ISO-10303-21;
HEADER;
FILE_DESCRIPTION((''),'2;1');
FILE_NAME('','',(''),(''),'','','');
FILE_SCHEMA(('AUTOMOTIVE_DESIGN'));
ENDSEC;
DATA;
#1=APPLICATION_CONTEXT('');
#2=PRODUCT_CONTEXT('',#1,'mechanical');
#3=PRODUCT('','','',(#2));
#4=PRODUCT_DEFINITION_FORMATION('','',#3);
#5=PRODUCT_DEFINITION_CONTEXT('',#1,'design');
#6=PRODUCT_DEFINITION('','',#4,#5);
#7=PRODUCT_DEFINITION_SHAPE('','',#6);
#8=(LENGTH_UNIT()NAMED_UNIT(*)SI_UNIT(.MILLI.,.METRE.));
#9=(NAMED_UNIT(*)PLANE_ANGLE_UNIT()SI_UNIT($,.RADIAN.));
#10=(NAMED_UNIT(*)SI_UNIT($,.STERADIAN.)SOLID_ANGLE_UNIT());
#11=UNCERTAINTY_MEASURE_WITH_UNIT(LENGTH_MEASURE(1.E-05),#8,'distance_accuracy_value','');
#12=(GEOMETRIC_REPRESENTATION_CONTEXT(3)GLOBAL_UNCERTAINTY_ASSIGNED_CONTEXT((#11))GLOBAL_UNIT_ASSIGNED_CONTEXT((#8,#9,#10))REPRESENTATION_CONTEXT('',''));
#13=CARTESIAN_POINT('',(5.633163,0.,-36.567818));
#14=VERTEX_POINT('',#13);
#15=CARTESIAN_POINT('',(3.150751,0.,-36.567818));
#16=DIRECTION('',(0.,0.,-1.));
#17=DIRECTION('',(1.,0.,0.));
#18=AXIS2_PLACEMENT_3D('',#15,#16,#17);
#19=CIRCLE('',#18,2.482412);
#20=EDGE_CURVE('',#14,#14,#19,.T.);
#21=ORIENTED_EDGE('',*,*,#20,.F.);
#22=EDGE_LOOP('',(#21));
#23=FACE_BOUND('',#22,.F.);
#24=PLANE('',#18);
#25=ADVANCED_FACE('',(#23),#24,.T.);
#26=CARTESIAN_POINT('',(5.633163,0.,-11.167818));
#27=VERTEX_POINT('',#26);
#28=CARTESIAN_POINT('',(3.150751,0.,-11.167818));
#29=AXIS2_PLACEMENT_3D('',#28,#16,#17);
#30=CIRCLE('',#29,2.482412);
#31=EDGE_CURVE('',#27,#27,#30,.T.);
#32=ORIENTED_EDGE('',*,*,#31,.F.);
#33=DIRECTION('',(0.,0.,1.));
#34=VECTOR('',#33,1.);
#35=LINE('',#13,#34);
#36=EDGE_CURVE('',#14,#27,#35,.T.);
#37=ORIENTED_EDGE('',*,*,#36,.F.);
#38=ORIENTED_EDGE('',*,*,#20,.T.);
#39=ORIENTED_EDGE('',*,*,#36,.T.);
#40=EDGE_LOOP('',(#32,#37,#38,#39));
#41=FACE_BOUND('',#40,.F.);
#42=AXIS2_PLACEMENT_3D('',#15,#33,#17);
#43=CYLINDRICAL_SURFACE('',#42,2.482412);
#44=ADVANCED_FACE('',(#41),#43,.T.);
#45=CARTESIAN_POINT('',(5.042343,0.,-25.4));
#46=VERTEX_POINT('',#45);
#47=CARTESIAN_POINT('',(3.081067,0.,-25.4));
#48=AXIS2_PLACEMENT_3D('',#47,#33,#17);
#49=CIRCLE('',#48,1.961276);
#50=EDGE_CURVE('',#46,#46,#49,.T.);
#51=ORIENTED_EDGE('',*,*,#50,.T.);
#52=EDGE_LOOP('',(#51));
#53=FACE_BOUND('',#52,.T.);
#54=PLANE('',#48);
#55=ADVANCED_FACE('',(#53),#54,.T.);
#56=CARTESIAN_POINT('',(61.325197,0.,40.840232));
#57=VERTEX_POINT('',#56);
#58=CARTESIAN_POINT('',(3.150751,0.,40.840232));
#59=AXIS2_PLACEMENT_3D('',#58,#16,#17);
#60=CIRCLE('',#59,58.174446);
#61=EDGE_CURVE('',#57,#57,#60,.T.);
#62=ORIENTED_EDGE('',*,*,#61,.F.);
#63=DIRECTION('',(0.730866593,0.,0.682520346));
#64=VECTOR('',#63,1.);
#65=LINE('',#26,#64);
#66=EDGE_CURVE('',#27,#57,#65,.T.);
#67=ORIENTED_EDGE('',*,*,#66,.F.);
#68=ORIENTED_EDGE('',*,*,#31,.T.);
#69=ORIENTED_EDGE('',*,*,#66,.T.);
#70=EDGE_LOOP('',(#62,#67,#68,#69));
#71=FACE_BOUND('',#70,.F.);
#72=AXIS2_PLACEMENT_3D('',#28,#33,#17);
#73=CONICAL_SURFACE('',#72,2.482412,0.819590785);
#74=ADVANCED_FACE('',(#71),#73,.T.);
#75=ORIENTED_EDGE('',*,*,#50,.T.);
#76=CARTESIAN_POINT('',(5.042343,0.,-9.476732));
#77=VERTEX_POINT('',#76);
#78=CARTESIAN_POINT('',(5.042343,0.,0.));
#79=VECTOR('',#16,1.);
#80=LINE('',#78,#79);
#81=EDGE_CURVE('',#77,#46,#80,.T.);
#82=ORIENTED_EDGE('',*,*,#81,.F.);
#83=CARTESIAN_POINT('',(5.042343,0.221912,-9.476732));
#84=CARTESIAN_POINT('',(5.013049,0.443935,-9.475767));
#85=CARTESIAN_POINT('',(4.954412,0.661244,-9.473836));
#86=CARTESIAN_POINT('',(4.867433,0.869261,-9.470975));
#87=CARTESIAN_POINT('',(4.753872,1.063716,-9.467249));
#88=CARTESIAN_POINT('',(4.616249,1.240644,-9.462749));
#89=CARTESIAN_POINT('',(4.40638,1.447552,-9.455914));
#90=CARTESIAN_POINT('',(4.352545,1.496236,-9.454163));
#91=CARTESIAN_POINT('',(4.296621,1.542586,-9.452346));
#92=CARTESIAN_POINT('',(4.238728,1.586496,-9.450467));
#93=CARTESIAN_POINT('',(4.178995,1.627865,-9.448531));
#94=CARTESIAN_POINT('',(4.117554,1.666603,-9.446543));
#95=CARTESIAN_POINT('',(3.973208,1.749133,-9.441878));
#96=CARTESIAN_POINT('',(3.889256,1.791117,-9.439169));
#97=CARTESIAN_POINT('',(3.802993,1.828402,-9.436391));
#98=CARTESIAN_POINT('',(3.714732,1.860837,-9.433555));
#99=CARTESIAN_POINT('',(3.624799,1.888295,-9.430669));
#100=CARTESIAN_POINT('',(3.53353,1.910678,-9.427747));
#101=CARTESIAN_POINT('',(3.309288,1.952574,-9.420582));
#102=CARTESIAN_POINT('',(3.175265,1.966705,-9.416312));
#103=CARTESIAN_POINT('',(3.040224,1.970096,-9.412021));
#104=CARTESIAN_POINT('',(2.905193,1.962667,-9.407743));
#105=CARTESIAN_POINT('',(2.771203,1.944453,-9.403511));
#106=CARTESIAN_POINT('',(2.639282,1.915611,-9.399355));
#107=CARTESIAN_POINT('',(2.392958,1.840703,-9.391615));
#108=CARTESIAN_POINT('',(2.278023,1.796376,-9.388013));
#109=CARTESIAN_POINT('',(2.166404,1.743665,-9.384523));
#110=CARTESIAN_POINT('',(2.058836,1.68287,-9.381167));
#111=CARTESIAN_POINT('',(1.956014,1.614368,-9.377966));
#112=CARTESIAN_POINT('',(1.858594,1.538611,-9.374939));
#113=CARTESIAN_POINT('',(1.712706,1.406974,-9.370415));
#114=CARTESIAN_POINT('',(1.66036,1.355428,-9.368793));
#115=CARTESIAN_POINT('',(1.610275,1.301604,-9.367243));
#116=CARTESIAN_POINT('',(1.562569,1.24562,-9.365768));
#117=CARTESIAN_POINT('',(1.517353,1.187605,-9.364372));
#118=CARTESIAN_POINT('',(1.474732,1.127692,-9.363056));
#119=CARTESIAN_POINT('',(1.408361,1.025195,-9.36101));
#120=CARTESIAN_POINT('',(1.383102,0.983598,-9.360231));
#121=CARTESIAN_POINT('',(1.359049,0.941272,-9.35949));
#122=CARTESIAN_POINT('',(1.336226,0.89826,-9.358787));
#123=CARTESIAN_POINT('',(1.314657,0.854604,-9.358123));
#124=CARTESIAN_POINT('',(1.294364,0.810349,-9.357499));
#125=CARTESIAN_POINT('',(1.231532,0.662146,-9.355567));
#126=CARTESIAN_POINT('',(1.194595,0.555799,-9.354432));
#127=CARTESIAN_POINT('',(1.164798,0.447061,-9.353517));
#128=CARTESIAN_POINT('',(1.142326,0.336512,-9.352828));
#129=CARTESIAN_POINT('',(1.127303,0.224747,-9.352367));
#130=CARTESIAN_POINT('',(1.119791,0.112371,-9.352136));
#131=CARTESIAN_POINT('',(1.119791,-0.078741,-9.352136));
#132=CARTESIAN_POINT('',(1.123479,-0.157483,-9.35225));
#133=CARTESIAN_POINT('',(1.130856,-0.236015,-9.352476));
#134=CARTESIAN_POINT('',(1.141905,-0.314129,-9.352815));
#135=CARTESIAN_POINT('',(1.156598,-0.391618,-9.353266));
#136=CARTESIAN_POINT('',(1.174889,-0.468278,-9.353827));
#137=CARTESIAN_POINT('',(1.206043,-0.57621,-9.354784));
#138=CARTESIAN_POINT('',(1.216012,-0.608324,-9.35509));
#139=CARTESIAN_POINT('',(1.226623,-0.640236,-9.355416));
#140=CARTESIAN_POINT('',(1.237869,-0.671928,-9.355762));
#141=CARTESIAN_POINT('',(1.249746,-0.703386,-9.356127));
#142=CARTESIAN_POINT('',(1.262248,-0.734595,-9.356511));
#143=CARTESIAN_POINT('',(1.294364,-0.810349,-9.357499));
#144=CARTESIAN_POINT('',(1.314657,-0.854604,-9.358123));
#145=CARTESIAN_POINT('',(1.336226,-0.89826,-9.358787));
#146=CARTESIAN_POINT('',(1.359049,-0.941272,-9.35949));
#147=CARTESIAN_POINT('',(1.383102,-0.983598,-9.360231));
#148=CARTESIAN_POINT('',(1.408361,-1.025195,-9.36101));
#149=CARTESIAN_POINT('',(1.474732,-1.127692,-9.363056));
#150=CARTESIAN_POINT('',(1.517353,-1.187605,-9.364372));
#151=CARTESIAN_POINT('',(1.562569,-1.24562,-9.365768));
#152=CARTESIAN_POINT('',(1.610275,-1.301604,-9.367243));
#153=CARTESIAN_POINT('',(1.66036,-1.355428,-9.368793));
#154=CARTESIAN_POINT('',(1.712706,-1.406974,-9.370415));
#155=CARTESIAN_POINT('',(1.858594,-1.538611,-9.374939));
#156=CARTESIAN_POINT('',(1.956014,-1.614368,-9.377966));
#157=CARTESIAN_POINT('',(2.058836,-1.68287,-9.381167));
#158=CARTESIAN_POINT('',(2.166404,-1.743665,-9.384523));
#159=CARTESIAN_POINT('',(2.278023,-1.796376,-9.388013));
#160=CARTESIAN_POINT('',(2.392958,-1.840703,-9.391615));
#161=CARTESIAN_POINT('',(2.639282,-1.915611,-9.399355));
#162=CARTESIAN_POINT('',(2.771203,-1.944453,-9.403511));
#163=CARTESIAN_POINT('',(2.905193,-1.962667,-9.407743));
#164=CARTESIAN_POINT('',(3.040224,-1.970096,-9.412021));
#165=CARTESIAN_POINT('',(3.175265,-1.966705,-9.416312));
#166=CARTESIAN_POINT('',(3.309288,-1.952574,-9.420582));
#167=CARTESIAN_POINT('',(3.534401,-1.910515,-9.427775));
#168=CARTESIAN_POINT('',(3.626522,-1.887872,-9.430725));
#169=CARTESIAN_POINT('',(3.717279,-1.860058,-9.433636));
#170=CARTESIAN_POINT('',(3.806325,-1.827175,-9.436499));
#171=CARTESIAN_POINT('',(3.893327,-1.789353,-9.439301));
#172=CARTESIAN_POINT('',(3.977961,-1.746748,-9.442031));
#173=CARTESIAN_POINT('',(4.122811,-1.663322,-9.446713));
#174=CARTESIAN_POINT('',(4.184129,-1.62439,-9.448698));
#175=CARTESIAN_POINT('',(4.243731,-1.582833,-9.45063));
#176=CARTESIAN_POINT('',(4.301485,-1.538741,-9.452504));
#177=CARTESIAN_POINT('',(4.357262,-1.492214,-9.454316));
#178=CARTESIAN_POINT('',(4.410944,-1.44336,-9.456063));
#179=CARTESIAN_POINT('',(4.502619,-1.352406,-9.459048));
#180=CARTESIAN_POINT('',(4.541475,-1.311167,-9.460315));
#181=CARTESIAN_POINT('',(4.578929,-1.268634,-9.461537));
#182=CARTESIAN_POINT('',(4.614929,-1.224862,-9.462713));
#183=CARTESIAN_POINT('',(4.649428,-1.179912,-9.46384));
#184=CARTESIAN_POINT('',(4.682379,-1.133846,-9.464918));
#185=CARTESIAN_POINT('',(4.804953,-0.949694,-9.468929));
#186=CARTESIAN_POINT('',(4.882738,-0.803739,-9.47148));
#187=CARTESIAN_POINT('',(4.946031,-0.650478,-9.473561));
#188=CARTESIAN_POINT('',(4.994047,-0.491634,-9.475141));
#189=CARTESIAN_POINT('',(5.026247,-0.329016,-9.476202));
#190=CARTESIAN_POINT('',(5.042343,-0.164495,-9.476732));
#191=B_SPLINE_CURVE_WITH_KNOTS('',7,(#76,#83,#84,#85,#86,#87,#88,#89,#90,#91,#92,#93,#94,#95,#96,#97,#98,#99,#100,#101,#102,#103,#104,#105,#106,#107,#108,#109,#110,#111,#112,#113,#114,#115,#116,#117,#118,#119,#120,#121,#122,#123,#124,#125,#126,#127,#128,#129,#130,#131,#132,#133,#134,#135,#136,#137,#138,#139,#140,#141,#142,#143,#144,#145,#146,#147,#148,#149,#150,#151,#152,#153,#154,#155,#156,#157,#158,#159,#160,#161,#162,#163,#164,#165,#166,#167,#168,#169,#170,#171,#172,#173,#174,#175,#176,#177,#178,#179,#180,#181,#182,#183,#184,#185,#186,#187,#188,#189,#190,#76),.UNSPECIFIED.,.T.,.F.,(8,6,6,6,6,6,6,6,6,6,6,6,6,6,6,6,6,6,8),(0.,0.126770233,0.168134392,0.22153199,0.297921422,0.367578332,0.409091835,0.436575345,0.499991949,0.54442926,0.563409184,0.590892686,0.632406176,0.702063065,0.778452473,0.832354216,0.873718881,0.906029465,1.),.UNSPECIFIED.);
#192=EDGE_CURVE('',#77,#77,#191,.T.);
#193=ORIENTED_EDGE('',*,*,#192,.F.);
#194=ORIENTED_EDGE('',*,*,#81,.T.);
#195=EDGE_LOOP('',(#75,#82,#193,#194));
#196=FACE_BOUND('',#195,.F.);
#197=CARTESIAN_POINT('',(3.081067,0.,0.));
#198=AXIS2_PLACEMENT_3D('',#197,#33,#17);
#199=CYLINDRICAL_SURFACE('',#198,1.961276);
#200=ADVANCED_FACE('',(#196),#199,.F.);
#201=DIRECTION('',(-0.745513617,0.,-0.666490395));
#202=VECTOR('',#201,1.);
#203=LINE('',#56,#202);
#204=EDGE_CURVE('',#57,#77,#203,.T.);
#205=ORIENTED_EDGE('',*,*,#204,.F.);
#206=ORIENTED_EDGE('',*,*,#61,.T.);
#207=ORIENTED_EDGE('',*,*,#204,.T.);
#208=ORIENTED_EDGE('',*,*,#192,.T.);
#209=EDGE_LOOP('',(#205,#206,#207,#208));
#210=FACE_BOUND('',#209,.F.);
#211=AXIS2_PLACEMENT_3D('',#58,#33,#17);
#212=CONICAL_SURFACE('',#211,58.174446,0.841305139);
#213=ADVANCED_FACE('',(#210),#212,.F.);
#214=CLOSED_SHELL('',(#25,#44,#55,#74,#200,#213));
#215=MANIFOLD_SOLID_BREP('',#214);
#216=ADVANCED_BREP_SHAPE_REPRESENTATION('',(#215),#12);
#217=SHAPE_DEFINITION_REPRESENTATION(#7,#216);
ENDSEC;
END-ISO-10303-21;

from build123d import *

# Parameters (mm, degrees)
F2_R     = 1.961276
F3_DEPTH = 25.4


with BuildPart() as f1:
    # F0 (on Front) → F1 (revolve)
    with BuildSketch(Plane.XZ):
        Polygon((3.150751, -11.167818), (3.150751, -36.567818), (5.633163, -36.567818), (5.633163, -11.167818), (61.325197, 40.840232), align=None)
    revolve(axis=Axis((3.150751, 0, -23.867818), (0, 0, -1)))

    # F2 (on Top) → F3 (cut)
    with BuildSketch(Plane.XY):
        with Locations((3.081067, 0)):
            Circle(F2_R)
    extrude(amount=-F3_DEPTH, mode=Mode.SUBTRACT)


solid = f1.part
